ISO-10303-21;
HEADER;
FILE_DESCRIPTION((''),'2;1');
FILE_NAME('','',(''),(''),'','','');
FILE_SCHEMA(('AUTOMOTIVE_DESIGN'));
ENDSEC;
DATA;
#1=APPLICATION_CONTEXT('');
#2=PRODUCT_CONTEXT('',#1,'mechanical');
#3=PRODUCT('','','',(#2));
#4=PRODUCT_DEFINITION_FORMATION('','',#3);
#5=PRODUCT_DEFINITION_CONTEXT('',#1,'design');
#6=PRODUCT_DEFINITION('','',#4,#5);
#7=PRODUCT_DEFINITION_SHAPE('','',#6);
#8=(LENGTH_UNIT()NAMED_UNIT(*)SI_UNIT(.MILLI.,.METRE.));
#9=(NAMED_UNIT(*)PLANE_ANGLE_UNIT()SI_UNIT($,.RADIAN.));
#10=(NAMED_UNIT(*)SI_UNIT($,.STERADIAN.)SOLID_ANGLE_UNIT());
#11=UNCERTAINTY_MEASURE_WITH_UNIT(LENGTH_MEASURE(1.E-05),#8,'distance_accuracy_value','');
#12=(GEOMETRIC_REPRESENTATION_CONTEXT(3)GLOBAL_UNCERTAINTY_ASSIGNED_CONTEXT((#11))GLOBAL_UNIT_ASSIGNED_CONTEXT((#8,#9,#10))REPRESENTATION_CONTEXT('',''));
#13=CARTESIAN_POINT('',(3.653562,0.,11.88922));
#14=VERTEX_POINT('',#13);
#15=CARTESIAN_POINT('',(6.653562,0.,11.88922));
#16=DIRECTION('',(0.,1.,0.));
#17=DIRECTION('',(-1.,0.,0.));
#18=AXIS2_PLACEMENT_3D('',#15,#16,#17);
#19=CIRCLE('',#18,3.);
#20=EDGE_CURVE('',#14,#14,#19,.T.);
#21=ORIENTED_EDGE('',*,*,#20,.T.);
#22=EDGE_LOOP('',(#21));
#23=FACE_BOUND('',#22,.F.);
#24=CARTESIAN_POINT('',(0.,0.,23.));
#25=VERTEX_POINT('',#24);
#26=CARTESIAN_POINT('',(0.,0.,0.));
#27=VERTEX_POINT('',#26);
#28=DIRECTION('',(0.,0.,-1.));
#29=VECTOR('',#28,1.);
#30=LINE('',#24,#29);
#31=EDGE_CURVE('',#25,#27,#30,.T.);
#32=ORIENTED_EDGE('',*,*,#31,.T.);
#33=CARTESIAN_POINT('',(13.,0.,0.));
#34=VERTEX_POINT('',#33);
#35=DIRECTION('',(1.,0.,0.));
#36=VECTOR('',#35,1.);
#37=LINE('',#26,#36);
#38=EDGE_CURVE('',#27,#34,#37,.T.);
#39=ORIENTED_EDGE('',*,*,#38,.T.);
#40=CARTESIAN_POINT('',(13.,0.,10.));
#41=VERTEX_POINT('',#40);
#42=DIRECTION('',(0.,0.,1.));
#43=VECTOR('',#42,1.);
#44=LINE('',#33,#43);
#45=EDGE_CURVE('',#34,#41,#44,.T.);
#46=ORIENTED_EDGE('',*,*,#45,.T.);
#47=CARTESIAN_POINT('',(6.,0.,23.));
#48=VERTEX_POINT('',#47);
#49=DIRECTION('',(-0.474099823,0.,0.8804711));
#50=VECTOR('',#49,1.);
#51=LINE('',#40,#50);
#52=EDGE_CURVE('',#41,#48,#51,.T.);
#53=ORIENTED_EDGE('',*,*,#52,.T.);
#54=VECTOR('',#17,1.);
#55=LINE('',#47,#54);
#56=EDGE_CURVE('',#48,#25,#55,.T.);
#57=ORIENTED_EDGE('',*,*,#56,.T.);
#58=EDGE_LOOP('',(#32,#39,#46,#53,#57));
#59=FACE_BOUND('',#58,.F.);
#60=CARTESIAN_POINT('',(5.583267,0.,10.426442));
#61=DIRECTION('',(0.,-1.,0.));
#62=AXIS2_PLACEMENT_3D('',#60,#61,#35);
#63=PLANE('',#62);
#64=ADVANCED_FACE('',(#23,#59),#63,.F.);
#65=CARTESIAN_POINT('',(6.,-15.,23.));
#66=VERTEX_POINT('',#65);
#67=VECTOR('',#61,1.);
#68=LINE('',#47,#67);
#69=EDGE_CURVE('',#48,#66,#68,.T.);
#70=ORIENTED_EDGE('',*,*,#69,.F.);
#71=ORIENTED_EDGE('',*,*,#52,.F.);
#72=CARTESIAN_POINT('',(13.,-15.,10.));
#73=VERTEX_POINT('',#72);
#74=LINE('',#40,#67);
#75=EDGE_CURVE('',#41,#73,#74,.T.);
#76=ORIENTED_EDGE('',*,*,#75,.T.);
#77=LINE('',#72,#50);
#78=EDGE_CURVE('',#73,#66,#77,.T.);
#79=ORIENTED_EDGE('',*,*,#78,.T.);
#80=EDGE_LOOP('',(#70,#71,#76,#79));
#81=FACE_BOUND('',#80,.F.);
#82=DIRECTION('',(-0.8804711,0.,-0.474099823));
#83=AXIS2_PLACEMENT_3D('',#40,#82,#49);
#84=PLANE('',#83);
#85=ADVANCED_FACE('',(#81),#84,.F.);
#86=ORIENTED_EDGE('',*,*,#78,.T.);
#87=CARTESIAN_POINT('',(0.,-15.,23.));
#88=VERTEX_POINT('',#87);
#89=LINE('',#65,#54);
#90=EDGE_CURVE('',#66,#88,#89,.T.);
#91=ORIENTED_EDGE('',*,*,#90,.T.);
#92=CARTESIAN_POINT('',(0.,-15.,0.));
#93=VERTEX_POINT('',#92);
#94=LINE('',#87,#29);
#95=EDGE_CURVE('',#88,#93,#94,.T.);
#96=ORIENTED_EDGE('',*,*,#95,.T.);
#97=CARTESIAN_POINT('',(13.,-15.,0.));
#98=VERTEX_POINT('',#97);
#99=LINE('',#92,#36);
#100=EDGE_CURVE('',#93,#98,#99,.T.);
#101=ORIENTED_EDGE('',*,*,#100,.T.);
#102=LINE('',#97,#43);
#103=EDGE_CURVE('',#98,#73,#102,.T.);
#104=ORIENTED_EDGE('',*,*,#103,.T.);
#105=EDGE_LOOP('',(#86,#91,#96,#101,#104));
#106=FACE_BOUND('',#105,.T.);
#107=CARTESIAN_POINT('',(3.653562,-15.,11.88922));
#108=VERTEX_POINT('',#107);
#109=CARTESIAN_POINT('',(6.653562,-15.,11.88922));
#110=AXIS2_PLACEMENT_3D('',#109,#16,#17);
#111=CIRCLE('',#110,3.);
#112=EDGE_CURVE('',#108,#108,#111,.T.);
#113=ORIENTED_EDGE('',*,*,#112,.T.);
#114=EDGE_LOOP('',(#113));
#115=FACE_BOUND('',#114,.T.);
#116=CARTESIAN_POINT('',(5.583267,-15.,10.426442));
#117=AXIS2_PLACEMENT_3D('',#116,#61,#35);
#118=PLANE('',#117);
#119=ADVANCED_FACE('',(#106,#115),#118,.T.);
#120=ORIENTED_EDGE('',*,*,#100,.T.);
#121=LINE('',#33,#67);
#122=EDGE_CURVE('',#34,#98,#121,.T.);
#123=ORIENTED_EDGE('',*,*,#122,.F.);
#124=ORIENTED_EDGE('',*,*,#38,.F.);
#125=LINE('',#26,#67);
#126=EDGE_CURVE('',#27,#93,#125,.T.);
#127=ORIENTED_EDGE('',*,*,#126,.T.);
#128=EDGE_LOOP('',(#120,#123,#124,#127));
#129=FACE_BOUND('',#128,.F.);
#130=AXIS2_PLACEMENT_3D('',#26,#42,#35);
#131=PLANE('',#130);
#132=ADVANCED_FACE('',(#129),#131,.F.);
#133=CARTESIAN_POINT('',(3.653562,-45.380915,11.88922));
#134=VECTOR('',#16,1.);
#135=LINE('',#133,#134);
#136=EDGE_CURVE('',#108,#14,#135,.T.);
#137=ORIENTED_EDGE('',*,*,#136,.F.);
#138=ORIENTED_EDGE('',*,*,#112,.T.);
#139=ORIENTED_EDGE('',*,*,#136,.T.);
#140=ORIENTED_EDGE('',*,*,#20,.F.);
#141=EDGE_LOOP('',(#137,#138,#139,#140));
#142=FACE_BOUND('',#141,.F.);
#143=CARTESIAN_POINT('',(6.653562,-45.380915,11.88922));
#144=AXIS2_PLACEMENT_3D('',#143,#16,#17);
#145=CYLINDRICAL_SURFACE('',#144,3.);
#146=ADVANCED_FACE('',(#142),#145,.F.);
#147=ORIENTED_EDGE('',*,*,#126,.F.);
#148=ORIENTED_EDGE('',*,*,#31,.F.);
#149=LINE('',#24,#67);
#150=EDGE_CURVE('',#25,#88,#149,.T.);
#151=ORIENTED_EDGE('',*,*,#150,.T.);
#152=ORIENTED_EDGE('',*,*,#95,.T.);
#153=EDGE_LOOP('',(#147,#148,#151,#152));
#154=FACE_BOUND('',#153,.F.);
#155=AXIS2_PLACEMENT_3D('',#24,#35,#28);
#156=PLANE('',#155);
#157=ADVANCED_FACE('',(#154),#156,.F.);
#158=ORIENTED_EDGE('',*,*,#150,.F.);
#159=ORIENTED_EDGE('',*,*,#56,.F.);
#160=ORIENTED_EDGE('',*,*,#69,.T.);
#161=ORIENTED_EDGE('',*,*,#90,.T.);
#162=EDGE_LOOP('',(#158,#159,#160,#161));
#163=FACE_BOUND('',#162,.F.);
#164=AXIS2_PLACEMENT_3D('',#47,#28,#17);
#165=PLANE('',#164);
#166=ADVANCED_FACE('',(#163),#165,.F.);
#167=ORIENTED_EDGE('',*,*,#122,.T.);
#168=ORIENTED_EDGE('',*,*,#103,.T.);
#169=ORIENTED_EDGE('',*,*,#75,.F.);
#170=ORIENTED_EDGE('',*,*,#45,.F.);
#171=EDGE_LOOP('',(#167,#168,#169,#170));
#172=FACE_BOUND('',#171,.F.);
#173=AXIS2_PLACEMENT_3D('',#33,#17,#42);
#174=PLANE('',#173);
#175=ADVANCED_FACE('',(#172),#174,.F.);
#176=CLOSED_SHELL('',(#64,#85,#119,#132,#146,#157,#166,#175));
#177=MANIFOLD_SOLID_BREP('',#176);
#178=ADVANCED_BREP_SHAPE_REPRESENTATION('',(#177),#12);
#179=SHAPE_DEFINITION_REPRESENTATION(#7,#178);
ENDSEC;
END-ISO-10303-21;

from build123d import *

# Parameters (mm, degrees)
F1_DEPTH = 15
F3_D     = 6


with BuildPart() as f1:
    # F0 (on Front) → F1 (new body)
    with BuildSketch(Plane.XZ):
        Polygon((0, 23), (0, 0), (13, 0), (13, 10), (6, 23), align=None)
    extrude(amount=F1_DEPTH)

    # F3 (through all)
    with Locations(Plane.XZ.offset(15)):
        with Locations((6.653562, 11.88922)):
            Hole(F3_D / 2)


solid = f1.part
